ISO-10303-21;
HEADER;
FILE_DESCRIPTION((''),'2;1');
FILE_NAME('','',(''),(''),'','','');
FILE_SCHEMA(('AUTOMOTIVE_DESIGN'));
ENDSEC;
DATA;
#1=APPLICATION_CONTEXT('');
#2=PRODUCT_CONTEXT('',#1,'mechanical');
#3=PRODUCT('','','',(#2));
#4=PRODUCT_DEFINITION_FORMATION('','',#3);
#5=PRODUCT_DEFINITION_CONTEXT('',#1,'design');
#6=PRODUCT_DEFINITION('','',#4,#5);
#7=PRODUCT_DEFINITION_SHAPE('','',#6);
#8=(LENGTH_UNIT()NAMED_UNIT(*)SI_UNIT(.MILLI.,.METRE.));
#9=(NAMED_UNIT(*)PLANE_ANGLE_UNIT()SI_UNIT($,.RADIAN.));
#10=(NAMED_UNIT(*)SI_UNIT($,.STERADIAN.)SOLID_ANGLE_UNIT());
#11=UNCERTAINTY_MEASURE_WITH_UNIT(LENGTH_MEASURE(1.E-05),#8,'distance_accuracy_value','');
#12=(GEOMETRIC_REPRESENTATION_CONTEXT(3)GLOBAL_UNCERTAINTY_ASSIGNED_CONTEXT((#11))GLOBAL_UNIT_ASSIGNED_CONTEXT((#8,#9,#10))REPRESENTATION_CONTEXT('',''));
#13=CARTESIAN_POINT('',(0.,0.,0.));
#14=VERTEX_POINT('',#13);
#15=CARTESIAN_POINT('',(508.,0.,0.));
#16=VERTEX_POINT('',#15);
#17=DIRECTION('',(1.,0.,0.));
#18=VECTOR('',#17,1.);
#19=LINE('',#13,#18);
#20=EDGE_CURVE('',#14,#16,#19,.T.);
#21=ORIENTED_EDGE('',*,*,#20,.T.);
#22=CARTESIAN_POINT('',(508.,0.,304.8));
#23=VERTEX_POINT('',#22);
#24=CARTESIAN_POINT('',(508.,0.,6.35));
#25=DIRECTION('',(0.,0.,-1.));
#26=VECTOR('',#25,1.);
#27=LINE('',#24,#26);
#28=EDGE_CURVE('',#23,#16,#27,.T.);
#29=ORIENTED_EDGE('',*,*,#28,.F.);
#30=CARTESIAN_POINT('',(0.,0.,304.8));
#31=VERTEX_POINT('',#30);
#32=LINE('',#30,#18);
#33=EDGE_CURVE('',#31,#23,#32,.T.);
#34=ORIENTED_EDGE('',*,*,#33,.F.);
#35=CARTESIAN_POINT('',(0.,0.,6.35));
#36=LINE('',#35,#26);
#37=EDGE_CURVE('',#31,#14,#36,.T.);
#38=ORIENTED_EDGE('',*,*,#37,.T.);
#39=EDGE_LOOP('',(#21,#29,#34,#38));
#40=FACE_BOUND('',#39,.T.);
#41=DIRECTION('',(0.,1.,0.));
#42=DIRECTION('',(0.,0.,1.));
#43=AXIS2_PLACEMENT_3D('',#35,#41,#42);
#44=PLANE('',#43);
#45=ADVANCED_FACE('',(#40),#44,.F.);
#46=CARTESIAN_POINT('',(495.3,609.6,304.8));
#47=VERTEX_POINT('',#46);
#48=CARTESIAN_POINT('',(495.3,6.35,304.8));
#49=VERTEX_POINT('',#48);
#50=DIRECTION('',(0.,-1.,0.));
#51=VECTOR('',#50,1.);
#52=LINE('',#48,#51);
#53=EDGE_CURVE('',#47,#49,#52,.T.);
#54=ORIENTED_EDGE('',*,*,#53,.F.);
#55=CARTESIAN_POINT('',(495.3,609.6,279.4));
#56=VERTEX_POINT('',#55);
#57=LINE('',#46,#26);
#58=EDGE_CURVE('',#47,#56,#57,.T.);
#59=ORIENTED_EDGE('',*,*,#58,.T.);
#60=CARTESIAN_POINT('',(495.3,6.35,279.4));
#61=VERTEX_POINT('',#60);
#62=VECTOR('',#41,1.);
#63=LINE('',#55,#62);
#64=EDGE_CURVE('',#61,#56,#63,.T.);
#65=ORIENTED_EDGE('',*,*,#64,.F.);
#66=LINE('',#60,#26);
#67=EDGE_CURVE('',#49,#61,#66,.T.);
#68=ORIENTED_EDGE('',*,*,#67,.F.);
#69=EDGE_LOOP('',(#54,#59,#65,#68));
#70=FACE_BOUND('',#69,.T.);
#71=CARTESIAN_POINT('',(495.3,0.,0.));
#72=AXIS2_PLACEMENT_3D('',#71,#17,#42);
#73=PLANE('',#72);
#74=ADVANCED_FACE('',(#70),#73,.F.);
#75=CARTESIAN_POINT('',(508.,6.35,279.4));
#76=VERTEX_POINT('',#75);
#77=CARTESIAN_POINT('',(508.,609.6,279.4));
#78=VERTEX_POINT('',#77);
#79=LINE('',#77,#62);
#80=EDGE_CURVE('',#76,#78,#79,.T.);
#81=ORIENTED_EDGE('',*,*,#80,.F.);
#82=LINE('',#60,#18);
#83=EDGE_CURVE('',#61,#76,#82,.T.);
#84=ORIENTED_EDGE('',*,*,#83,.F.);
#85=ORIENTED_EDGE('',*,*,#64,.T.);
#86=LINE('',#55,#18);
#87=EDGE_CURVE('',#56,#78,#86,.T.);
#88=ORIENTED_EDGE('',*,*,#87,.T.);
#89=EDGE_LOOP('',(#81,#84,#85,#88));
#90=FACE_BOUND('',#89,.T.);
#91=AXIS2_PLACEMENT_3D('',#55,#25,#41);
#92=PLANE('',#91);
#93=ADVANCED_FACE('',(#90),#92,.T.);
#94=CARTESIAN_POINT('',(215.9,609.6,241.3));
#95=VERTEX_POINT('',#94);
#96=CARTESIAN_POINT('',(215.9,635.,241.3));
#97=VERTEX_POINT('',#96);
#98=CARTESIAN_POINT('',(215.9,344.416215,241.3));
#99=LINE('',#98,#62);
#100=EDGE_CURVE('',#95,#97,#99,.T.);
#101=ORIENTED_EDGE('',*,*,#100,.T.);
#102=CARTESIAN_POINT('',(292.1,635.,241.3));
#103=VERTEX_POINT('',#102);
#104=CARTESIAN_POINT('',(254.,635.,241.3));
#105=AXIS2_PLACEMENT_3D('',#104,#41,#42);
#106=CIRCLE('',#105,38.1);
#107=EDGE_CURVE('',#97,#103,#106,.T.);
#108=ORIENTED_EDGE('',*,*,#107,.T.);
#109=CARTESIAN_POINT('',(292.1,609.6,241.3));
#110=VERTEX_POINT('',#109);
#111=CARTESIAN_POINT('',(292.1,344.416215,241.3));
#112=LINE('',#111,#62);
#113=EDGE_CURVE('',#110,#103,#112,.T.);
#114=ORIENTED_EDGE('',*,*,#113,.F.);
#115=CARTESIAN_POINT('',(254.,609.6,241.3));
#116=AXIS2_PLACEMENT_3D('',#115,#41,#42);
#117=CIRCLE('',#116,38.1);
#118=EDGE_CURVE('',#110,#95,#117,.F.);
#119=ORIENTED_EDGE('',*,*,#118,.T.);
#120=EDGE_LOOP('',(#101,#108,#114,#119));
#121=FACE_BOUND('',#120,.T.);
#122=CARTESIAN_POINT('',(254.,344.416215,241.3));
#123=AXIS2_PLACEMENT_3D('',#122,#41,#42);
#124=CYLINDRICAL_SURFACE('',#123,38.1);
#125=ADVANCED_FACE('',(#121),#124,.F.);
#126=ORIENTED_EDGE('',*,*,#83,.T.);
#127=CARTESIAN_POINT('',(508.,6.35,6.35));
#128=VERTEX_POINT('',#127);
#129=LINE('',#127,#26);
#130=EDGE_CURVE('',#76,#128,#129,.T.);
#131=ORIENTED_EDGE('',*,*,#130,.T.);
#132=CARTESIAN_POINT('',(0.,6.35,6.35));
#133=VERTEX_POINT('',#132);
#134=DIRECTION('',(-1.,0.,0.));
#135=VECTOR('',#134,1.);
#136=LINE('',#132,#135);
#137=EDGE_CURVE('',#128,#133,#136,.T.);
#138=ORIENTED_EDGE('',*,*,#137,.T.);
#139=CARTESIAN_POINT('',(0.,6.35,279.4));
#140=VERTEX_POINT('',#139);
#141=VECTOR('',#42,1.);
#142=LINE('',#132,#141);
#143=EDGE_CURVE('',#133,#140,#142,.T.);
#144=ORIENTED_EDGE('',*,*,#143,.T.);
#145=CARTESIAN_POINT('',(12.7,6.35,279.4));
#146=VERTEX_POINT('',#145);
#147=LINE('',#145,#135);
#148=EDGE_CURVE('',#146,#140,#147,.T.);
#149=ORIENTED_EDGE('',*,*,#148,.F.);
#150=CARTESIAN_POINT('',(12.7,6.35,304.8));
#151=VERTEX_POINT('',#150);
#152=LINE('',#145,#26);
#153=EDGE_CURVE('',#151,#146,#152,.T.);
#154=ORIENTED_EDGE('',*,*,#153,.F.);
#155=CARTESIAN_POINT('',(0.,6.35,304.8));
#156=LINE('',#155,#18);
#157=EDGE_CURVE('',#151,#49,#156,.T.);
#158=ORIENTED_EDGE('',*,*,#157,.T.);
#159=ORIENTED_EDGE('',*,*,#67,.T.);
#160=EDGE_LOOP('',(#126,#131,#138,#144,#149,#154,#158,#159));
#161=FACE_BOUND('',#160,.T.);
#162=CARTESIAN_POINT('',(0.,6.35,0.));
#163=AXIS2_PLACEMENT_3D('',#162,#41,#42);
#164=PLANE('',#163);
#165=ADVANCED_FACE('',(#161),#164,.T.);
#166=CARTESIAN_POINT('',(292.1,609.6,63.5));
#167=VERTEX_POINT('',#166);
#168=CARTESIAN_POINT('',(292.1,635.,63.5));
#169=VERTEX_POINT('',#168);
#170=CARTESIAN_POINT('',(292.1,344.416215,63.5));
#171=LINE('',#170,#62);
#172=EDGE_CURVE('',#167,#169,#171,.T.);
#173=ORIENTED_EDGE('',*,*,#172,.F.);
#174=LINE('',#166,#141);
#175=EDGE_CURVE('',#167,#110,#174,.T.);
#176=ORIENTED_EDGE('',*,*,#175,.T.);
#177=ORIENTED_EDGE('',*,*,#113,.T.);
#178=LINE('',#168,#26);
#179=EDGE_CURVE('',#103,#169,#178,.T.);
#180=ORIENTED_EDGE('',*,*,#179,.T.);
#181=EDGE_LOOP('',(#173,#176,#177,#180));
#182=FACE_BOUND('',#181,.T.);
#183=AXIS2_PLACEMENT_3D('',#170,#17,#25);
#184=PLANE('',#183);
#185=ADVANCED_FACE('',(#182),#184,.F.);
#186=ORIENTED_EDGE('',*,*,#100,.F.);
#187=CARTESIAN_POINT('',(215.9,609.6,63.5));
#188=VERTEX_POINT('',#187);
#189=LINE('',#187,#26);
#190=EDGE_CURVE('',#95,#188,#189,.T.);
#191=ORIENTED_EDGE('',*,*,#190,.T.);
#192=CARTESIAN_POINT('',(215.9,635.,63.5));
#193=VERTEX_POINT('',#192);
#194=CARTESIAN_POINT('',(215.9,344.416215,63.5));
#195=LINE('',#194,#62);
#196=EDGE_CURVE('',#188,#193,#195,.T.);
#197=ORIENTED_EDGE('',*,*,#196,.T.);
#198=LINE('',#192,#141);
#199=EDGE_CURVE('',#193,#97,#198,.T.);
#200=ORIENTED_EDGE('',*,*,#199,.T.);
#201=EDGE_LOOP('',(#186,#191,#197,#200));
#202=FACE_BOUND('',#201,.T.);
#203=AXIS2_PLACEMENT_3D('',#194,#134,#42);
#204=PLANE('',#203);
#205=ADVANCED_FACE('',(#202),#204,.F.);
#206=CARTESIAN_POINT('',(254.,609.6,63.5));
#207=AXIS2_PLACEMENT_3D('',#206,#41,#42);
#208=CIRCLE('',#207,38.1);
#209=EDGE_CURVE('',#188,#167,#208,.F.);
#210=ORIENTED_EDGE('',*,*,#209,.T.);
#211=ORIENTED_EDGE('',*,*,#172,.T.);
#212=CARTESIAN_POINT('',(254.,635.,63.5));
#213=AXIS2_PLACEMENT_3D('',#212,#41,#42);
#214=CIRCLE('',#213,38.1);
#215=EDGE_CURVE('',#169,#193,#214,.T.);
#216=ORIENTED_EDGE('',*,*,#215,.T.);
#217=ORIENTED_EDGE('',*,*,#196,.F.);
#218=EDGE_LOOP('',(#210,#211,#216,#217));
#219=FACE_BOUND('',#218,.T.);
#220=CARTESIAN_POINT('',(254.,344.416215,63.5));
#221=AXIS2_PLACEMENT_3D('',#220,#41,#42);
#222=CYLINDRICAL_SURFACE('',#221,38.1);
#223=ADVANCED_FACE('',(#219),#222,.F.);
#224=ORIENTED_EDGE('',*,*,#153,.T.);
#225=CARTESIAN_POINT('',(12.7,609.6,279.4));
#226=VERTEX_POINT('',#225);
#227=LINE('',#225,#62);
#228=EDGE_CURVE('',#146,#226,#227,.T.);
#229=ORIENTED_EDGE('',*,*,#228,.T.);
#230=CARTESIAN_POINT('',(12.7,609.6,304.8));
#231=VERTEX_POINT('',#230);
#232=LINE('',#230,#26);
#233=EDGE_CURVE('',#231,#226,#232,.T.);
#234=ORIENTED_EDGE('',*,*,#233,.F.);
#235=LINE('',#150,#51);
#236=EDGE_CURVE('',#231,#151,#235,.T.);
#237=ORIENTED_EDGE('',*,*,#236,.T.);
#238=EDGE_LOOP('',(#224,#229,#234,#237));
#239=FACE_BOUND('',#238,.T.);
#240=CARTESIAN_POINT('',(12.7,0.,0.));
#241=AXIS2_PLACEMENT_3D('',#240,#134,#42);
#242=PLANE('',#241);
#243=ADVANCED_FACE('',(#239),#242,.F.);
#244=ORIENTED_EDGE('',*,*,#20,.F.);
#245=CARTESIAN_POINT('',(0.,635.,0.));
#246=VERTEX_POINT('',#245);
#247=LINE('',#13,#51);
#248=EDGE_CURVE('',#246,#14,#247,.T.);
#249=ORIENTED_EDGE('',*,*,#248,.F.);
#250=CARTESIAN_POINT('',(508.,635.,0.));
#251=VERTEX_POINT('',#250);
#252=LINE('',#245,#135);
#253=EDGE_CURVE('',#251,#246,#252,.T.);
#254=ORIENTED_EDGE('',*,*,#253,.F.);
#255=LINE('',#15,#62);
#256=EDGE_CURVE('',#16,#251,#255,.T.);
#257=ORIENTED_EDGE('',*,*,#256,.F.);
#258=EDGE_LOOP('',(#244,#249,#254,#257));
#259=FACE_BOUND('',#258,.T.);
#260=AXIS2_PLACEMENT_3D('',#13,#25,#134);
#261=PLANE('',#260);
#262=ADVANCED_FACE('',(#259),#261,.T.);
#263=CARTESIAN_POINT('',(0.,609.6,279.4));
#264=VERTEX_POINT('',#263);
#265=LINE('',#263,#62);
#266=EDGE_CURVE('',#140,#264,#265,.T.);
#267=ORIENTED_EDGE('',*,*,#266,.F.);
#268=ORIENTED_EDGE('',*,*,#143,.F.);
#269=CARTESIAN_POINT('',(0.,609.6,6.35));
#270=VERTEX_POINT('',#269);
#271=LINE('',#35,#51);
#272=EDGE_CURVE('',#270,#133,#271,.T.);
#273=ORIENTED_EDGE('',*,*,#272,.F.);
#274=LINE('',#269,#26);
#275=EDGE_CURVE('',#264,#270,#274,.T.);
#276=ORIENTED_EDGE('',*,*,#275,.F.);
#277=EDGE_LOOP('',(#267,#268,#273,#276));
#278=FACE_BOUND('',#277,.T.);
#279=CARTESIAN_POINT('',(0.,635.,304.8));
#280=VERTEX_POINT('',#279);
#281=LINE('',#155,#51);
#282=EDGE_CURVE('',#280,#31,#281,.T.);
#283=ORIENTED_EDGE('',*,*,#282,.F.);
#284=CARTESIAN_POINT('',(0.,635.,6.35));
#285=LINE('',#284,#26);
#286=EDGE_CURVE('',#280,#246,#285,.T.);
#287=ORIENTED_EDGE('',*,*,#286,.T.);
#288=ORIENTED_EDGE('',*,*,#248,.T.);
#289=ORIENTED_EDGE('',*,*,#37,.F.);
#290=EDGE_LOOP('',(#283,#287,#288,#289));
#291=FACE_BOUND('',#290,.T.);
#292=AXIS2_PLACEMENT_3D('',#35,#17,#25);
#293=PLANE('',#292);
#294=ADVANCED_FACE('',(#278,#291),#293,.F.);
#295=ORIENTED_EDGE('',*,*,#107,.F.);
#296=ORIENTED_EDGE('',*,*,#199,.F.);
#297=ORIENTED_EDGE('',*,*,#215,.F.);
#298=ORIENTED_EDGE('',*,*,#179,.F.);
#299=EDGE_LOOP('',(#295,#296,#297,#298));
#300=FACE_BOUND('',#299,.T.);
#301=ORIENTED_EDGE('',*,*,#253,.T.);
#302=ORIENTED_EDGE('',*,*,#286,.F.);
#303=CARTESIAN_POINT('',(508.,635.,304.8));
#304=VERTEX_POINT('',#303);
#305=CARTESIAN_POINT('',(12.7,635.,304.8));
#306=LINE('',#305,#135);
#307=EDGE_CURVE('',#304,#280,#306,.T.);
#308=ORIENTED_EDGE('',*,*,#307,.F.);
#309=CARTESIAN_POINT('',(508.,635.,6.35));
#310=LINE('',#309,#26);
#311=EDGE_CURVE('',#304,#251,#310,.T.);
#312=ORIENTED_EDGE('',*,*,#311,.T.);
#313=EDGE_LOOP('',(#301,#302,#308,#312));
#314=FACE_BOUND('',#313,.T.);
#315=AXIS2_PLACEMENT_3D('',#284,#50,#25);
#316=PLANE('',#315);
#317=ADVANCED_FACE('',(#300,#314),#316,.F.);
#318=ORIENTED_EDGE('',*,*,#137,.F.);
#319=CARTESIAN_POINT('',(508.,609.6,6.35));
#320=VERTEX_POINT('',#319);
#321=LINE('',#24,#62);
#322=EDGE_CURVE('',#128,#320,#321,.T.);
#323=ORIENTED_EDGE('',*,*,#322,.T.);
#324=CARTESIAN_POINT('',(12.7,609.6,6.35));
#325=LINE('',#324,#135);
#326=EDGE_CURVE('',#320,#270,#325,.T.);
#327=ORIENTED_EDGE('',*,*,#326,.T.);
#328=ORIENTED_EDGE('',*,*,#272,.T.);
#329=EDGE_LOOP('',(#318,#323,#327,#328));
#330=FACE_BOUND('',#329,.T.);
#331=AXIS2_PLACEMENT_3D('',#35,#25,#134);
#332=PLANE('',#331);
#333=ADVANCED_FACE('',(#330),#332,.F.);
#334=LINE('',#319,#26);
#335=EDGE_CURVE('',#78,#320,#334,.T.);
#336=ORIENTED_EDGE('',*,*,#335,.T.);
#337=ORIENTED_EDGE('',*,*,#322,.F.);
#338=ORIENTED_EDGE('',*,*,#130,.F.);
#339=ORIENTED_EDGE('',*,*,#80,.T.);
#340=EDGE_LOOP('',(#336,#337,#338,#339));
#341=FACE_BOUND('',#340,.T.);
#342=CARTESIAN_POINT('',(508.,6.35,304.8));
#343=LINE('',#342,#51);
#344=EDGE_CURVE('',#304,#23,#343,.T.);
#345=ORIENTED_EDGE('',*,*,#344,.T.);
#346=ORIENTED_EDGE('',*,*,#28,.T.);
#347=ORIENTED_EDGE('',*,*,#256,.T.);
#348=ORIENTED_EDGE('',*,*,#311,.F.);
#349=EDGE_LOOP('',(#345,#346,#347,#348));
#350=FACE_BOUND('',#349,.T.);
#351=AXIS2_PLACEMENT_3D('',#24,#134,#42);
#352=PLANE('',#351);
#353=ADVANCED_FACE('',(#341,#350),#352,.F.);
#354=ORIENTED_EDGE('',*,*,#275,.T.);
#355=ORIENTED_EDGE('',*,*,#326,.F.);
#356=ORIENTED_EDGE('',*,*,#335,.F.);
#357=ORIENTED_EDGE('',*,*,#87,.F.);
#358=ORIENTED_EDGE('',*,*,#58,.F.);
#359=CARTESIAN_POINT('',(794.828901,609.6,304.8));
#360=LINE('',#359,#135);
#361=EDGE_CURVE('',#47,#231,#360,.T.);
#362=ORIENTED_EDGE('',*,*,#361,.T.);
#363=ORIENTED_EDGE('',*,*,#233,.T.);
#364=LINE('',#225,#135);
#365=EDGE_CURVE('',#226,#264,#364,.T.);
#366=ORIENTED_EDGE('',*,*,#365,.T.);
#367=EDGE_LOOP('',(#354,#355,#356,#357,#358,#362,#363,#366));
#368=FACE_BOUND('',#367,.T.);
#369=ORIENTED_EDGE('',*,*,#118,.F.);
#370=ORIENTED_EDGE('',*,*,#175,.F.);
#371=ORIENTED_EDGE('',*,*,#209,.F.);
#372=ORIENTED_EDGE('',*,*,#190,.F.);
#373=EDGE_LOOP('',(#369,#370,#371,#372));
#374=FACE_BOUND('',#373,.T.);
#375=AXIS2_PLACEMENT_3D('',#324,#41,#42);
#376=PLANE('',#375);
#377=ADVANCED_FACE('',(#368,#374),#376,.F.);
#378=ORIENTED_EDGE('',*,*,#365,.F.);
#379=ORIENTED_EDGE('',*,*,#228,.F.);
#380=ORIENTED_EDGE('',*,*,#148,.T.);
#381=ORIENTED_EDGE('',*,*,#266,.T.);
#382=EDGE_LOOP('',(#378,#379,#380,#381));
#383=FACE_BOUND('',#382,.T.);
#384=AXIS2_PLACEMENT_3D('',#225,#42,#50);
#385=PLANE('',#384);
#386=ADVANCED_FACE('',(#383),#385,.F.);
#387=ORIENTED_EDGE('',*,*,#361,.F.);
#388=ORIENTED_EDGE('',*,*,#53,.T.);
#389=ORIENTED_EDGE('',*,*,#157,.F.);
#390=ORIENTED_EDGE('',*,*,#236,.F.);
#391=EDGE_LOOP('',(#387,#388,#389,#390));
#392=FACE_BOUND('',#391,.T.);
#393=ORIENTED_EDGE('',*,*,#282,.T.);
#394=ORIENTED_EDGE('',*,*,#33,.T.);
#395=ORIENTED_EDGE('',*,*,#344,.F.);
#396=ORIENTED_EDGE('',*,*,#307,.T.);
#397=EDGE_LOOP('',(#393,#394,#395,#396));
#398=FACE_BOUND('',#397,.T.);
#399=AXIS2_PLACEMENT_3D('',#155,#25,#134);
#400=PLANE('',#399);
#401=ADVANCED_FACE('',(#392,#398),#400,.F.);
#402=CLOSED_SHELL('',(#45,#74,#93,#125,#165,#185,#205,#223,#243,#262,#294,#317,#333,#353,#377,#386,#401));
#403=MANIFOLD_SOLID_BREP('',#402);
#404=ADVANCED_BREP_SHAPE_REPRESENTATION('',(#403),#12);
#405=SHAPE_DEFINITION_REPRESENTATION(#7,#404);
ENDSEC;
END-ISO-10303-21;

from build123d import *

# Parameters (mm, degrees)
SKETCH1_W           = 508
SKETCH1_H           = 635
BOSS_EXTRUDE1_DEPTH = 6.35
SKETCH3_W           = 508
SKETCH3_H           = 298.45
BOSS_EXTRUDE3_DEPTH = 6.35
BOSS_EXTRUDE4_DEPTH = 12.7
SKETCH6_W           = 298.45
SKETCH6_H           = 25.4
BOSS_EXTRUDE6_DEPTH = 482.6
CUT_EXTRUDE1_DEPTH  = 25.4


with BuildPart() as part:
    # Sketch1 → Boss-Extrude1 (new body)
    with BuildSketch(Plane.XY):
        with Locations((254, 317.5)):
            Rectangle(SKETCH1_W, SKETCH1_H)
    extrude(amount=BOSS_EXTRUDE1_DEPTH)

    # Sketch3 → Boss-Extrude3 (add)
    with BuildSketch(Plane(origin=(0, 0, 0), x_dir=(1, 0, 0), z_dir=(0, 1, 0))):
        with Locations((254, -155.575)):
            Rectangle(SKETCH3_W, SKETCH3_H)
    extrude(amount=BOSS_EXTRUDE3_DEPTH)

    # Sketch4 → Boss-Extrude4 (add)
    with BuildSketch(Plane(origin=(0, 0, 0), x_dir=(0, 0, -1), z_dir=(1, 0, 0))):
        Polygon((-304.8, 6.35), (-304.8, 635), (-6.35, 635), (-6.35, 609.6), (-279.4, 609.6), (-279.4, 6.35), align=None)
    boss_extrude4 = extrude(amount=BOSS_EXTRUDE4_DEPTH)

    # Mirror1: Boss-Extrude4 across plane
    add(boss_extrude4.mirror(Plane(origin=(254, 0, 0), x_dir=(0, 0, 1), z_dir=(1, 0, 0))))

    # Sketch6 → Boss-Extrude6 (add)
    with BuildSketch(Plane(origin=(12.7, 0, 0), x_dir=(0, 0, -1), z_dir=(1, 0, 0))):
        with Locations((-155.575, 622.3)):
            Rectangle(SKETCH6_W, SKETCH6_H)
    extrude(amount=BOSS_EXTRUDE6_DEPTH)

    # Sketch7 → Cut-Extrude1 (cut)
    with BuildSketch(Plane(origin=(0, 635, 0), x_dir=(1, 0, 0), z_dir=(0, 1, 0))):
        with BuildLine():
            Line((292.1, -63.5), (292.1, -241.3))
            ThreePointArc((292.1, -241.3), (254, -279.4), (215.9, -241.3))
            Line((215.9, -241.3), (215.9, -63.5))
            ThreePointArc((215.9, -63.5), (254, -25.4), (292.1, -63.5))
        make_face()
    extrude(amount=-CUT_EXTRUDE1_DEPTH, mode=Mode.SUBTRACT)


solid = part.part
